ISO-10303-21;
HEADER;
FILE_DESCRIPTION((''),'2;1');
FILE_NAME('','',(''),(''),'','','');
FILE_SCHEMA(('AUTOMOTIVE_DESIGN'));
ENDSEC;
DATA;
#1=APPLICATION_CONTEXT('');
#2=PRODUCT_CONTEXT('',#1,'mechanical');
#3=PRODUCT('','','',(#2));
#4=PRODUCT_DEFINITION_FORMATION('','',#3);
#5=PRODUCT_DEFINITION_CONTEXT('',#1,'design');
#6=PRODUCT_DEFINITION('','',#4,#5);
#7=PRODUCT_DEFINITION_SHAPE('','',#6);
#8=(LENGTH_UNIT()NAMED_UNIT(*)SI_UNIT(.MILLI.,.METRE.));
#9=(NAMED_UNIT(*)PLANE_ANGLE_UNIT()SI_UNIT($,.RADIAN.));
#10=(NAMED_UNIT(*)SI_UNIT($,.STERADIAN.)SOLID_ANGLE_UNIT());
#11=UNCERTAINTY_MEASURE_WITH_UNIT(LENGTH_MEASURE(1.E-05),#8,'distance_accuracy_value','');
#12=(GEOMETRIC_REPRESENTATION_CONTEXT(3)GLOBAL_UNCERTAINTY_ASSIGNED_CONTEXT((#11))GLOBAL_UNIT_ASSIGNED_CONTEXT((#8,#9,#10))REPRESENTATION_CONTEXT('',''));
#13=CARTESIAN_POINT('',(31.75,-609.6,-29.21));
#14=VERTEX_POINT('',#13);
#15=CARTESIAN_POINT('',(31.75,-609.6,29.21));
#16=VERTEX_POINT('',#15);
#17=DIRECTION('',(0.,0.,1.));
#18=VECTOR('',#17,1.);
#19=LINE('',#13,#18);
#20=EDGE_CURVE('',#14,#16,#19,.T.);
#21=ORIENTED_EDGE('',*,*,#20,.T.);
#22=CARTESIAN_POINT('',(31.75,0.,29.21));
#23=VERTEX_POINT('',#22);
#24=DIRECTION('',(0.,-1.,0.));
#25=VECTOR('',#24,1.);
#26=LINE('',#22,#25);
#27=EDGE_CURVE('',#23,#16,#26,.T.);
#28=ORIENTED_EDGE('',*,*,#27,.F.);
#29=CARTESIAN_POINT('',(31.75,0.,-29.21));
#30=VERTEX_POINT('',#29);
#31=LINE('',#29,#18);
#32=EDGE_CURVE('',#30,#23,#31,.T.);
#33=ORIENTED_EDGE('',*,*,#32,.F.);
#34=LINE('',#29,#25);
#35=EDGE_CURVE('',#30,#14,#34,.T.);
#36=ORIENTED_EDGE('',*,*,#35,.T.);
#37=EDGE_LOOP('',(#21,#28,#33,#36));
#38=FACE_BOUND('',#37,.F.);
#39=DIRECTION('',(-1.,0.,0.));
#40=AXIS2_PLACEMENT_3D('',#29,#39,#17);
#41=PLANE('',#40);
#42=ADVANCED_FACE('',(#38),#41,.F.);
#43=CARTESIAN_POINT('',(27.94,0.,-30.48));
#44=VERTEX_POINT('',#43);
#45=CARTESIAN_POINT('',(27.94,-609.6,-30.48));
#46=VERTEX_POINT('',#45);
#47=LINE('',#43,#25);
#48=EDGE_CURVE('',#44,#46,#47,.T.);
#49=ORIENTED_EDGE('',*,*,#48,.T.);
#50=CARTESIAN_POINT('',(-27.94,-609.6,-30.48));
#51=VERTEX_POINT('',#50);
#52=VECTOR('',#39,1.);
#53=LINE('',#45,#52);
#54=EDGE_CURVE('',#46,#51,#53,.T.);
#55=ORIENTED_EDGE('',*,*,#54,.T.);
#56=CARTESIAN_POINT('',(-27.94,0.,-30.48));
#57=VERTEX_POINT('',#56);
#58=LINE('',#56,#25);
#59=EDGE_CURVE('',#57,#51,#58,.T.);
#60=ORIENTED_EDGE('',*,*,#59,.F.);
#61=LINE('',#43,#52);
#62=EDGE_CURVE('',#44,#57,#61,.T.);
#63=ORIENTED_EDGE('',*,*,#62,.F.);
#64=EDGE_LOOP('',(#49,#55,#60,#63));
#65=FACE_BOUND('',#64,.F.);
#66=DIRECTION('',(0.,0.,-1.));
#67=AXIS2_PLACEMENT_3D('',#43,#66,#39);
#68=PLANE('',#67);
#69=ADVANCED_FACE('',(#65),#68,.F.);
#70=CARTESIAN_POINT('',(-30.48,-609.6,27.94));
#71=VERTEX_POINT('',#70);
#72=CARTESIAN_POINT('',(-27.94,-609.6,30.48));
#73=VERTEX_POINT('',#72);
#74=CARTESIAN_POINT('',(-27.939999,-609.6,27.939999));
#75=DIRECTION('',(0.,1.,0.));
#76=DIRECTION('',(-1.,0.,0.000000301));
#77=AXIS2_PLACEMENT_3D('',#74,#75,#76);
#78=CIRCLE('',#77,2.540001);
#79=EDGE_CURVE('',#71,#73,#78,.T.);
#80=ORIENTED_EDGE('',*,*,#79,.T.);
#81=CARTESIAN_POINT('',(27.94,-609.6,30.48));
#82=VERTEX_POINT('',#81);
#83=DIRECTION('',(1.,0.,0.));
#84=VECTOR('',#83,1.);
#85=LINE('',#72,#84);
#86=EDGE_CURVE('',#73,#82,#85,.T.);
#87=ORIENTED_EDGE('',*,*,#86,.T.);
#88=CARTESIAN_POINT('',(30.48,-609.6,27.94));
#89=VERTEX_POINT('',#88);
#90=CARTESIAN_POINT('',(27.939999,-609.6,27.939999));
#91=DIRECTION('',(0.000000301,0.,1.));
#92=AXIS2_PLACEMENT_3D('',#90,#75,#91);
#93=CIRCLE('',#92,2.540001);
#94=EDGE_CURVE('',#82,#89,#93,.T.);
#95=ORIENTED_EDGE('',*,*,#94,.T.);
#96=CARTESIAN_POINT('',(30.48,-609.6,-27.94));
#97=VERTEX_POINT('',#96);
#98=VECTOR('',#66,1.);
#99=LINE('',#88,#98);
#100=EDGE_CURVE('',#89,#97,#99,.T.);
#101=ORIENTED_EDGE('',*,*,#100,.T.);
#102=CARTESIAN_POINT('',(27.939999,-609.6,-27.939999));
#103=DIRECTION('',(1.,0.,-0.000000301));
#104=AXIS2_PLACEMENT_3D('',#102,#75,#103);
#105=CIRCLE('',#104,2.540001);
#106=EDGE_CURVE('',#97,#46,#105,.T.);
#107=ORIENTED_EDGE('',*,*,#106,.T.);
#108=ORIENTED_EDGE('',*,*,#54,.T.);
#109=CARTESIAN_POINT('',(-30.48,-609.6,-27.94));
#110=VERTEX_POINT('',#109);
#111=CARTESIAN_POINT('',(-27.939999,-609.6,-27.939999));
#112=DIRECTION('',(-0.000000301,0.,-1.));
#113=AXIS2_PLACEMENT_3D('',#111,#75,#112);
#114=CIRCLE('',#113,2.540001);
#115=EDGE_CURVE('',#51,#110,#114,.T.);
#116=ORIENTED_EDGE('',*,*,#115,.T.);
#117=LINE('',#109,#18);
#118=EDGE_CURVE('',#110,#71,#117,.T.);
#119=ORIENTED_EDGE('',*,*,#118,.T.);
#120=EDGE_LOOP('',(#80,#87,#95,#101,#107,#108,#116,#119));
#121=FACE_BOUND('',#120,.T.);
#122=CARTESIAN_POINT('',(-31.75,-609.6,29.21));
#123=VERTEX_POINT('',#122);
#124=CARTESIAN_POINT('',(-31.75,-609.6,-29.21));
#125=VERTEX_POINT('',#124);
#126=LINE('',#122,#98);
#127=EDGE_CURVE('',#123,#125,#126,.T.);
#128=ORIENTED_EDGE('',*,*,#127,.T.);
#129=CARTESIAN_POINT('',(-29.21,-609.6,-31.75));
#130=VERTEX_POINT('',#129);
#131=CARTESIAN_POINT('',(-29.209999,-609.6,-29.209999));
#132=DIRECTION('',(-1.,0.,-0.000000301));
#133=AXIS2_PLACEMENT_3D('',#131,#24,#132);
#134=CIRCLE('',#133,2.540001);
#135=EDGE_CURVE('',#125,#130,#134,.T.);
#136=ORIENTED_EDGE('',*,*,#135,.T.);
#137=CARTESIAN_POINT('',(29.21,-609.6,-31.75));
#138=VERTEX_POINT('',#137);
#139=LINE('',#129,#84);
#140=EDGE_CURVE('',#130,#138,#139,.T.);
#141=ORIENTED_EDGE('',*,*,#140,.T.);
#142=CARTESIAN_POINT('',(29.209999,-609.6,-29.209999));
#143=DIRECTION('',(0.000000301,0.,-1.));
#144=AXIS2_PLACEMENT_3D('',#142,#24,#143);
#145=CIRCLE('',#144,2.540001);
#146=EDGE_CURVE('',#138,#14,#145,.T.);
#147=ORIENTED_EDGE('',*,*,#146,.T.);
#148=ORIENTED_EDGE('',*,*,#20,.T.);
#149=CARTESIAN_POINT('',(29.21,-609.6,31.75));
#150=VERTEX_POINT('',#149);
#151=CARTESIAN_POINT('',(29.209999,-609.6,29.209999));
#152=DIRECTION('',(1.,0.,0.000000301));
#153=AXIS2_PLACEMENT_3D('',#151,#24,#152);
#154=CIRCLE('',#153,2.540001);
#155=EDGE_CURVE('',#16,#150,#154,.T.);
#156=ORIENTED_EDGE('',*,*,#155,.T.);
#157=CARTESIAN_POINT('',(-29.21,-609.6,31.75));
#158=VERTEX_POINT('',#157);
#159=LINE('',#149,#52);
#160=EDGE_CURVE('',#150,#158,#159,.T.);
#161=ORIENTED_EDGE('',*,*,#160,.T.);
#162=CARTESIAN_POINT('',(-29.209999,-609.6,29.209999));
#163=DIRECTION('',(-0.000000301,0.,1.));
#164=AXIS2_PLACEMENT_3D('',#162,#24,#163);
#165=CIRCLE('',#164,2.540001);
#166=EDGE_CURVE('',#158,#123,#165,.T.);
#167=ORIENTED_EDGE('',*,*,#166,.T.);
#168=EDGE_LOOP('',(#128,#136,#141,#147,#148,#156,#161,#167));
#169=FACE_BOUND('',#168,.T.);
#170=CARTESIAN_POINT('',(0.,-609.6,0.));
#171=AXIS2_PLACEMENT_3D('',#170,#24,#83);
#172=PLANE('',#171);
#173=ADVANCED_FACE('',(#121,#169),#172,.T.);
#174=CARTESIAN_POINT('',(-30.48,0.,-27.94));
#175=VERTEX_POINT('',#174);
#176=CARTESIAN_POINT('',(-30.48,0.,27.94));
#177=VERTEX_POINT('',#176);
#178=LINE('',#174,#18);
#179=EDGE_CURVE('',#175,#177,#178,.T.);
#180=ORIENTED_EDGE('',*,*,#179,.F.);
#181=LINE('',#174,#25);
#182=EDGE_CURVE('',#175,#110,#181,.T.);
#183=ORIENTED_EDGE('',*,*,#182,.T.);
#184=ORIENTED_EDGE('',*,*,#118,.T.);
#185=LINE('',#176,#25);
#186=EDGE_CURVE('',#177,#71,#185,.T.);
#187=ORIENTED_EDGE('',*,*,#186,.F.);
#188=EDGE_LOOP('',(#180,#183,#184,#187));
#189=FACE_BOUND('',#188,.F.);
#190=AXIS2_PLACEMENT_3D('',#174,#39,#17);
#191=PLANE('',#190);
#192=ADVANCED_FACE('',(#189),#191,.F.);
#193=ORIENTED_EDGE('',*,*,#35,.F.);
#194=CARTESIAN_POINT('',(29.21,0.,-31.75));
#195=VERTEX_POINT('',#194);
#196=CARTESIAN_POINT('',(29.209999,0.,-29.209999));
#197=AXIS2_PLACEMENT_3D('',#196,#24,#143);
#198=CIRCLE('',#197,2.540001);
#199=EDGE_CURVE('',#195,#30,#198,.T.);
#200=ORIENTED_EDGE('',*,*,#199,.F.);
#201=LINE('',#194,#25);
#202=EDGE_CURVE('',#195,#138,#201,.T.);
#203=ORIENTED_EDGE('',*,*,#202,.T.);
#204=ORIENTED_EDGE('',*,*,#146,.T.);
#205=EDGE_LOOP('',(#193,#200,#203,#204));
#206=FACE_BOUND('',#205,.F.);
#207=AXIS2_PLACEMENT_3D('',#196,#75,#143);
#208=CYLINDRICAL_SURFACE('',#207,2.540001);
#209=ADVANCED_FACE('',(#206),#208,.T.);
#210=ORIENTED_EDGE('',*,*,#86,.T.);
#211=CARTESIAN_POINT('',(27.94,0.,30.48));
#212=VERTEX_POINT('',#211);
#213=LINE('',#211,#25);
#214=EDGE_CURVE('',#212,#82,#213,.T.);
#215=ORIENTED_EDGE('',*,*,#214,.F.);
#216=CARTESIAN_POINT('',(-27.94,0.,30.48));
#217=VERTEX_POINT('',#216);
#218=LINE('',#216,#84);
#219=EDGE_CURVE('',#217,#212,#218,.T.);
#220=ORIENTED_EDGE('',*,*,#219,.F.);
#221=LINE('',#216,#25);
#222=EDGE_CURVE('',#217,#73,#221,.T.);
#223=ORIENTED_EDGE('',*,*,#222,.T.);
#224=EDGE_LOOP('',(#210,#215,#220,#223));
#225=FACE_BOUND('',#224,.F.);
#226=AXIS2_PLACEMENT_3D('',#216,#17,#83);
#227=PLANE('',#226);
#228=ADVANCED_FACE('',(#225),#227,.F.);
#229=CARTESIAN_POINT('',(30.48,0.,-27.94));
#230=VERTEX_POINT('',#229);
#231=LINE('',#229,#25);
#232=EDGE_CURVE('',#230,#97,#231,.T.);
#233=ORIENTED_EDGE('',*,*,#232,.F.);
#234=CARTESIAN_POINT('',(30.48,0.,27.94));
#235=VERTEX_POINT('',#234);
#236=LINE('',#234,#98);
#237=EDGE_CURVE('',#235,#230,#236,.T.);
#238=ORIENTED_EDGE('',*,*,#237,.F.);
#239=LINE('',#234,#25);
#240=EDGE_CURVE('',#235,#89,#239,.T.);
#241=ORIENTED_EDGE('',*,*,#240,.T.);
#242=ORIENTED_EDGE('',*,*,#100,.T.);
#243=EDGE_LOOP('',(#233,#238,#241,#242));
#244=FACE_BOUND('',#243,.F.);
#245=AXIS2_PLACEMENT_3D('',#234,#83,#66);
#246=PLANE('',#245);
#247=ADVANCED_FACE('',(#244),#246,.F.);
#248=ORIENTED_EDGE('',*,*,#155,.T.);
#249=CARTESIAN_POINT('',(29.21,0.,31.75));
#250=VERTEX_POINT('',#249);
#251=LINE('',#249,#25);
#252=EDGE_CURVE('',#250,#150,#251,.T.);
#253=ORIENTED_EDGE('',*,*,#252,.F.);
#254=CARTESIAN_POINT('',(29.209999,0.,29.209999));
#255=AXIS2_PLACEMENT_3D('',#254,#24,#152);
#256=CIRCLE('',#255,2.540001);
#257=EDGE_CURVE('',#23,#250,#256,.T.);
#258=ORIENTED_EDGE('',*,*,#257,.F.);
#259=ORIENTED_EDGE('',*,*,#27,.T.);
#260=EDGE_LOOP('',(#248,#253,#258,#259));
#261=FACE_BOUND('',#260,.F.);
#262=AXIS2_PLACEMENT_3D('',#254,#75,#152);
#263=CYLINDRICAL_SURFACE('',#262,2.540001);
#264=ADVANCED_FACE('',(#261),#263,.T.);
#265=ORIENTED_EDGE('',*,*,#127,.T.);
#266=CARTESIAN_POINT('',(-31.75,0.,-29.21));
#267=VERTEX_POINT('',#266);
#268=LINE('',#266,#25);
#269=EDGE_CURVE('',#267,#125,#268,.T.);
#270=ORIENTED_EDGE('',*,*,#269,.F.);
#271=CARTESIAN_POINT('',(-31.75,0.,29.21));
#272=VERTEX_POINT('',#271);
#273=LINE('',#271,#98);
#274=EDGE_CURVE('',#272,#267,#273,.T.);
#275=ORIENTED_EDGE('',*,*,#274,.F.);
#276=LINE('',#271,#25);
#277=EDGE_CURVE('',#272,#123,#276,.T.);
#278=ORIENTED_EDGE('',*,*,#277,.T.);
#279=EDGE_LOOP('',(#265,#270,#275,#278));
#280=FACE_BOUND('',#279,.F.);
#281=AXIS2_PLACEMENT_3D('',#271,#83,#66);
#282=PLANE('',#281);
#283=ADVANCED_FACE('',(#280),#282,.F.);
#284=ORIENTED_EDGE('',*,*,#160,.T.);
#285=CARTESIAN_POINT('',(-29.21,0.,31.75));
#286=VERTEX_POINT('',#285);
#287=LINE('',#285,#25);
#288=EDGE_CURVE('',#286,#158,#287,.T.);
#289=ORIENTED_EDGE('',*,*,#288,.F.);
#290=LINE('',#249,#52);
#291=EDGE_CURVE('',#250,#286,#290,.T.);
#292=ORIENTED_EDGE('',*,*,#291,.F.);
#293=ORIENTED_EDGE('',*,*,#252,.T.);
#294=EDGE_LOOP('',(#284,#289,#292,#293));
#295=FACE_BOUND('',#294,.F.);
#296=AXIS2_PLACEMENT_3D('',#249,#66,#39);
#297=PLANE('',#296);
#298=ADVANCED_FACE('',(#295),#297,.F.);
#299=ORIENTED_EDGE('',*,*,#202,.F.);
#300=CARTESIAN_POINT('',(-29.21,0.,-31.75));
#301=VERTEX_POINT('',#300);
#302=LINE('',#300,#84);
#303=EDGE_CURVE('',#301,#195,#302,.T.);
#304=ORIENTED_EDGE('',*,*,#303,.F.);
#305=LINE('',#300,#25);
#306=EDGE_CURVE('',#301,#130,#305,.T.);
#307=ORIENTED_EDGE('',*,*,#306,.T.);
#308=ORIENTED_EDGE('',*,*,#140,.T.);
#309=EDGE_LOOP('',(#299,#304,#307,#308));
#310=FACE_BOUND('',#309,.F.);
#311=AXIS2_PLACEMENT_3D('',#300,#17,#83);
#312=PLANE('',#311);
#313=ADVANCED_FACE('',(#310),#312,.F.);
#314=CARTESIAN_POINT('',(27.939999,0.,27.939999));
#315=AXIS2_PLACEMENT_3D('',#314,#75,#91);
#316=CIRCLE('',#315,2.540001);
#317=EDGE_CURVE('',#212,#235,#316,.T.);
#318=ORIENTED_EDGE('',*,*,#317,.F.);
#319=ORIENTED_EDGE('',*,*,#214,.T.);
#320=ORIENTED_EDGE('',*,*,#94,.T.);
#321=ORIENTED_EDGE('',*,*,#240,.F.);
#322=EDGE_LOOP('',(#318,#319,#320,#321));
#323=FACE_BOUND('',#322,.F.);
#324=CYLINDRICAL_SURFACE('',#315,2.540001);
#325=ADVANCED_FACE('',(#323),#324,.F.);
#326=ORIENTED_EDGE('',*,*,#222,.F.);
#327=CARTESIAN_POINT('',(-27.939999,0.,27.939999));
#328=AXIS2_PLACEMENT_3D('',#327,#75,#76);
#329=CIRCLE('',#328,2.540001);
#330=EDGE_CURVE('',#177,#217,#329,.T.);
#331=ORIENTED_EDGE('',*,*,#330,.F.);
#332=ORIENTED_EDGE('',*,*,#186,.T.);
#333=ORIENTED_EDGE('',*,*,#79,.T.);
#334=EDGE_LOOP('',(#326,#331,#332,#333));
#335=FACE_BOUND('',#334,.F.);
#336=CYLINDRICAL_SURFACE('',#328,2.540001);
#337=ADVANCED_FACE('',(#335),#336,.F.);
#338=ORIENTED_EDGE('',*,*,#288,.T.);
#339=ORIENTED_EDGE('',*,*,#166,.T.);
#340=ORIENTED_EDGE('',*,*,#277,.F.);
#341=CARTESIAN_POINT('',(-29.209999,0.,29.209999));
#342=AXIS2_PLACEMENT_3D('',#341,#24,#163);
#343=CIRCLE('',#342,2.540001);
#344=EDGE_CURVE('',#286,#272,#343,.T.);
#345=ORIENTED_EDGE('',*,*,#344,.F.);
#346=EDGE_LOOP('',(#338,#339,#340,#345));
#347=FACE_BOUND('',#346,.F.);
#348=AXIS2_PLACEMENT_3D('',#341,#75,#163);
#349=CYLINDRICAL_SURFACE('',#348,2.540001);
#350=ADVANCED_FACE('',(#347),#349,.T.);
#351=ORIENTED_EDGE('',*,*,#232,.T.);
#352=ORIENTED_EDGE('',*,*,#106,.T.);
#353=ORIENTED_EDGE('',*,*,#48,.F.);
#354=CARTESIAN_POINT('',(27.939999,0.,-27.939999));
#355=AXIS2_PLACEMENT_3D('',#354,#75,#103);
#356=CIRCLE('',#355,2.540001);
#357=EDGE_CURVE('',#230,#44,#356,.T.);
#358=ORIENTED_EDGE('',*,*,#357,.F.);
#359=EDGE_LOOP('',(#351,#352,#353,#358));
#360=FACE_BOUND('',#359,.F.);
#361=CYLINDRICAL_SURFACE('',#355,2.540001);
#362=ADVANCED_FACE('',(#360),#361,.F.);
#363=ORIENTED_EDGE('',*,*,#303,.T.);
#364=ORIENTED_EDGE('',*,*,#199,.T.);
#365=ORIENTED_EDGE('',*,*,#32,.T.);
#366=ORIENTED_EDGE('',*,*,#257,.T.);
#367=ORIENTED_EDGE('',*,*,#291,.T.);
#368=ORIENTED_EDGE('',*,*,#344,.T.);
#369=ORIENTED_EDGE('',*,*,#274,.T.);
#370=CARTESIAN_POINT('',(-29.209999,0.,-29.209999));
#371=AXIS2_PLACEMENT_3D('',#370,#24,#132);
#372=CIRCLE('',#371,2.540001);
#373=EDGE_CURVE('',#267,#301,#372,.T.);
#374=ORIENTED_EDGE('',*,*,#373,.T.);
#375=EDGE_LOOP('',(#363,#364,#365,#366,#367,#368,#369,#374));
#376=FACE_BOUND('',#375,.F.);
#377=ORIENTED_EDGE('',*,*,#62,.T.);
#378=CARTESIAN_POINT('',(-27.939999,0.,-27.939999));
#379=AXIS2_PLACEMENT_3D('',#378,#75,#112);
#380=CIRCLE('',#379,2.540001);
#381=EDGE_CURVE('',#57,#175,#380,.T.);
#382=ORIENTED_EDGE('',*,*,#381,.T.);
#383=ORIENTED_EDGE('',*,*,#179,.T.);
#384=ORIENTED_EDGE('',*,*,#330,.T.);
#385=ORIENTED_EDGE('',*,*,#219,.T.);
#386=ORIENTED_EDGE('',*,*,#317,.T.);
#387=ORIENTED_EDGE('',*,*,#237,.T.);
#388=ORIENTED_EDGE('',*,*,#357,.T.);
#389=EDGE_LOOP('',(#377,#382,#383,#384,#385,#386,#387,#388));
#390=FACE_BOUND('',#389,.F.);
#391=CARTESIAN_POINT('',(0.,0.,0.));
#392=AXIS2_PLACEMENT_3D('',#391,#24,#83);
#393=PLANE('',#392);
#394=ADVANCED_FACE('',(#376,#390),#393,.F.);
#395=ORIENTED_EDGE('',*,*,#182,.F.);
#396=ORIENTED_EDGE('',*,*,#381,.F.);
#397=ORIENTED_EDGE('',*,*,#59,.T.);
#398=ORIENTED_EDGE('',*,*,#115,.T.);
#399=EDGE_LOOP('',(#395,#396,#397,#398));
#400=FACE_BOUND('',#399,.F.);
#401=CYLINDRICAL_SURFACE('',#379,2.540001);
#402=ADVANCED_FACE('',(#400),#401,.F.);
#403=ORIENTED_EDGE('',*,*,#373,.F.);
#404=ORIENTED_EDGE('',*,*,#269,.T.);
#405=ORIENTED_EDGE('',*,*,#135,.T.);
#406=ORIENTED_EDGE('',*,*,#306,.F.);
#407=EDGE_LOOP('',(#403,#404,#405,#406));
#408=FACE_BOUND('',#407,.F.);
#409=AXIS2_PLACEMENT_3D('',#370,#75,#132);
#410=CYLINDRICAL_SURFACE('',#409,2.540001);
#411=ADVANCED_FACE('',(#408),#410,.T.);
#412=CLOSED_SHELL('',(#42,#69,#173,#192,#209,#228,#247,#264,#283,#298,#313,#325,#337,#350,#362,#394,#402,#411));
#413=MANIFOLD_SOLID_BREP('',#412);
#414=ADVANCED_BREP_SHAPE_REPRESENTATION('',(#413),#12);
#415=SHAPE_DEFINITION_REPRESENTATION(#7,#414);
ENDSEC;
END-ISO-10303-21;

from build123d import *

# Parameters (mm, degrees)
F1_DEPTH = 609.6


with BuildPart() as f1:
    # F0 (on Front) → F1 (new body)
    with BuildSketch(Plane.XZ):
        with BuildLine():
            ThreePointArc((31.75, 29.21), (31.006051, 31.006051), (29.21, 31.75))
            Line((29.21, 31.75), (-29.21, 31.75))
            ThreePointArc((-29.21, 31.75), (-31.006051, 31.006051), (-31.75, 29.21))
            Line((-31.75, 29.21), (-31.75, -29.21))
            ThreePointArc((-31.75, -29.21), (-31.006051, -31.006051), (-29.21, -31.75))
            Line((-29.21, -31.75), (29.21, -31.75))
            ThreePointArc((29.21, -31.75), (31.006051, -31.006051), (31.75, -29.21))
            Line((31.75, -29.21), (31.75, 29.21))
        make_face()
        with BuildLine():
            Line((-27.94, 30.48), (27.94, 30.48))
            ThreePointArc((27.94, 30.48), (29.736051, 29.736051), (30.48, 27.94))
            Line((30.48, 27.94), (30.48, -27.94))
            ThreePointArc((30.48, -27.94), (29.736051, -29.736051), (27.94, -30.48))
            Line((27.94, -30.48), (-27.94, -30.48))
            ThreePointArc((-27.94, -30.48), (-29.736051, -29.736051), (-30.48, -27.94))
            Line((-30.48, -27.94), (-30.48, 27.94))
            ThreePointArc((-30.48, 27.94), (-29.736051, 29.736051), (-27.94, 30.48))
        make_face(mode=Mode.SUBTRACT)
    extrude(amount=F1_DEPTH)


solid = f1.part
